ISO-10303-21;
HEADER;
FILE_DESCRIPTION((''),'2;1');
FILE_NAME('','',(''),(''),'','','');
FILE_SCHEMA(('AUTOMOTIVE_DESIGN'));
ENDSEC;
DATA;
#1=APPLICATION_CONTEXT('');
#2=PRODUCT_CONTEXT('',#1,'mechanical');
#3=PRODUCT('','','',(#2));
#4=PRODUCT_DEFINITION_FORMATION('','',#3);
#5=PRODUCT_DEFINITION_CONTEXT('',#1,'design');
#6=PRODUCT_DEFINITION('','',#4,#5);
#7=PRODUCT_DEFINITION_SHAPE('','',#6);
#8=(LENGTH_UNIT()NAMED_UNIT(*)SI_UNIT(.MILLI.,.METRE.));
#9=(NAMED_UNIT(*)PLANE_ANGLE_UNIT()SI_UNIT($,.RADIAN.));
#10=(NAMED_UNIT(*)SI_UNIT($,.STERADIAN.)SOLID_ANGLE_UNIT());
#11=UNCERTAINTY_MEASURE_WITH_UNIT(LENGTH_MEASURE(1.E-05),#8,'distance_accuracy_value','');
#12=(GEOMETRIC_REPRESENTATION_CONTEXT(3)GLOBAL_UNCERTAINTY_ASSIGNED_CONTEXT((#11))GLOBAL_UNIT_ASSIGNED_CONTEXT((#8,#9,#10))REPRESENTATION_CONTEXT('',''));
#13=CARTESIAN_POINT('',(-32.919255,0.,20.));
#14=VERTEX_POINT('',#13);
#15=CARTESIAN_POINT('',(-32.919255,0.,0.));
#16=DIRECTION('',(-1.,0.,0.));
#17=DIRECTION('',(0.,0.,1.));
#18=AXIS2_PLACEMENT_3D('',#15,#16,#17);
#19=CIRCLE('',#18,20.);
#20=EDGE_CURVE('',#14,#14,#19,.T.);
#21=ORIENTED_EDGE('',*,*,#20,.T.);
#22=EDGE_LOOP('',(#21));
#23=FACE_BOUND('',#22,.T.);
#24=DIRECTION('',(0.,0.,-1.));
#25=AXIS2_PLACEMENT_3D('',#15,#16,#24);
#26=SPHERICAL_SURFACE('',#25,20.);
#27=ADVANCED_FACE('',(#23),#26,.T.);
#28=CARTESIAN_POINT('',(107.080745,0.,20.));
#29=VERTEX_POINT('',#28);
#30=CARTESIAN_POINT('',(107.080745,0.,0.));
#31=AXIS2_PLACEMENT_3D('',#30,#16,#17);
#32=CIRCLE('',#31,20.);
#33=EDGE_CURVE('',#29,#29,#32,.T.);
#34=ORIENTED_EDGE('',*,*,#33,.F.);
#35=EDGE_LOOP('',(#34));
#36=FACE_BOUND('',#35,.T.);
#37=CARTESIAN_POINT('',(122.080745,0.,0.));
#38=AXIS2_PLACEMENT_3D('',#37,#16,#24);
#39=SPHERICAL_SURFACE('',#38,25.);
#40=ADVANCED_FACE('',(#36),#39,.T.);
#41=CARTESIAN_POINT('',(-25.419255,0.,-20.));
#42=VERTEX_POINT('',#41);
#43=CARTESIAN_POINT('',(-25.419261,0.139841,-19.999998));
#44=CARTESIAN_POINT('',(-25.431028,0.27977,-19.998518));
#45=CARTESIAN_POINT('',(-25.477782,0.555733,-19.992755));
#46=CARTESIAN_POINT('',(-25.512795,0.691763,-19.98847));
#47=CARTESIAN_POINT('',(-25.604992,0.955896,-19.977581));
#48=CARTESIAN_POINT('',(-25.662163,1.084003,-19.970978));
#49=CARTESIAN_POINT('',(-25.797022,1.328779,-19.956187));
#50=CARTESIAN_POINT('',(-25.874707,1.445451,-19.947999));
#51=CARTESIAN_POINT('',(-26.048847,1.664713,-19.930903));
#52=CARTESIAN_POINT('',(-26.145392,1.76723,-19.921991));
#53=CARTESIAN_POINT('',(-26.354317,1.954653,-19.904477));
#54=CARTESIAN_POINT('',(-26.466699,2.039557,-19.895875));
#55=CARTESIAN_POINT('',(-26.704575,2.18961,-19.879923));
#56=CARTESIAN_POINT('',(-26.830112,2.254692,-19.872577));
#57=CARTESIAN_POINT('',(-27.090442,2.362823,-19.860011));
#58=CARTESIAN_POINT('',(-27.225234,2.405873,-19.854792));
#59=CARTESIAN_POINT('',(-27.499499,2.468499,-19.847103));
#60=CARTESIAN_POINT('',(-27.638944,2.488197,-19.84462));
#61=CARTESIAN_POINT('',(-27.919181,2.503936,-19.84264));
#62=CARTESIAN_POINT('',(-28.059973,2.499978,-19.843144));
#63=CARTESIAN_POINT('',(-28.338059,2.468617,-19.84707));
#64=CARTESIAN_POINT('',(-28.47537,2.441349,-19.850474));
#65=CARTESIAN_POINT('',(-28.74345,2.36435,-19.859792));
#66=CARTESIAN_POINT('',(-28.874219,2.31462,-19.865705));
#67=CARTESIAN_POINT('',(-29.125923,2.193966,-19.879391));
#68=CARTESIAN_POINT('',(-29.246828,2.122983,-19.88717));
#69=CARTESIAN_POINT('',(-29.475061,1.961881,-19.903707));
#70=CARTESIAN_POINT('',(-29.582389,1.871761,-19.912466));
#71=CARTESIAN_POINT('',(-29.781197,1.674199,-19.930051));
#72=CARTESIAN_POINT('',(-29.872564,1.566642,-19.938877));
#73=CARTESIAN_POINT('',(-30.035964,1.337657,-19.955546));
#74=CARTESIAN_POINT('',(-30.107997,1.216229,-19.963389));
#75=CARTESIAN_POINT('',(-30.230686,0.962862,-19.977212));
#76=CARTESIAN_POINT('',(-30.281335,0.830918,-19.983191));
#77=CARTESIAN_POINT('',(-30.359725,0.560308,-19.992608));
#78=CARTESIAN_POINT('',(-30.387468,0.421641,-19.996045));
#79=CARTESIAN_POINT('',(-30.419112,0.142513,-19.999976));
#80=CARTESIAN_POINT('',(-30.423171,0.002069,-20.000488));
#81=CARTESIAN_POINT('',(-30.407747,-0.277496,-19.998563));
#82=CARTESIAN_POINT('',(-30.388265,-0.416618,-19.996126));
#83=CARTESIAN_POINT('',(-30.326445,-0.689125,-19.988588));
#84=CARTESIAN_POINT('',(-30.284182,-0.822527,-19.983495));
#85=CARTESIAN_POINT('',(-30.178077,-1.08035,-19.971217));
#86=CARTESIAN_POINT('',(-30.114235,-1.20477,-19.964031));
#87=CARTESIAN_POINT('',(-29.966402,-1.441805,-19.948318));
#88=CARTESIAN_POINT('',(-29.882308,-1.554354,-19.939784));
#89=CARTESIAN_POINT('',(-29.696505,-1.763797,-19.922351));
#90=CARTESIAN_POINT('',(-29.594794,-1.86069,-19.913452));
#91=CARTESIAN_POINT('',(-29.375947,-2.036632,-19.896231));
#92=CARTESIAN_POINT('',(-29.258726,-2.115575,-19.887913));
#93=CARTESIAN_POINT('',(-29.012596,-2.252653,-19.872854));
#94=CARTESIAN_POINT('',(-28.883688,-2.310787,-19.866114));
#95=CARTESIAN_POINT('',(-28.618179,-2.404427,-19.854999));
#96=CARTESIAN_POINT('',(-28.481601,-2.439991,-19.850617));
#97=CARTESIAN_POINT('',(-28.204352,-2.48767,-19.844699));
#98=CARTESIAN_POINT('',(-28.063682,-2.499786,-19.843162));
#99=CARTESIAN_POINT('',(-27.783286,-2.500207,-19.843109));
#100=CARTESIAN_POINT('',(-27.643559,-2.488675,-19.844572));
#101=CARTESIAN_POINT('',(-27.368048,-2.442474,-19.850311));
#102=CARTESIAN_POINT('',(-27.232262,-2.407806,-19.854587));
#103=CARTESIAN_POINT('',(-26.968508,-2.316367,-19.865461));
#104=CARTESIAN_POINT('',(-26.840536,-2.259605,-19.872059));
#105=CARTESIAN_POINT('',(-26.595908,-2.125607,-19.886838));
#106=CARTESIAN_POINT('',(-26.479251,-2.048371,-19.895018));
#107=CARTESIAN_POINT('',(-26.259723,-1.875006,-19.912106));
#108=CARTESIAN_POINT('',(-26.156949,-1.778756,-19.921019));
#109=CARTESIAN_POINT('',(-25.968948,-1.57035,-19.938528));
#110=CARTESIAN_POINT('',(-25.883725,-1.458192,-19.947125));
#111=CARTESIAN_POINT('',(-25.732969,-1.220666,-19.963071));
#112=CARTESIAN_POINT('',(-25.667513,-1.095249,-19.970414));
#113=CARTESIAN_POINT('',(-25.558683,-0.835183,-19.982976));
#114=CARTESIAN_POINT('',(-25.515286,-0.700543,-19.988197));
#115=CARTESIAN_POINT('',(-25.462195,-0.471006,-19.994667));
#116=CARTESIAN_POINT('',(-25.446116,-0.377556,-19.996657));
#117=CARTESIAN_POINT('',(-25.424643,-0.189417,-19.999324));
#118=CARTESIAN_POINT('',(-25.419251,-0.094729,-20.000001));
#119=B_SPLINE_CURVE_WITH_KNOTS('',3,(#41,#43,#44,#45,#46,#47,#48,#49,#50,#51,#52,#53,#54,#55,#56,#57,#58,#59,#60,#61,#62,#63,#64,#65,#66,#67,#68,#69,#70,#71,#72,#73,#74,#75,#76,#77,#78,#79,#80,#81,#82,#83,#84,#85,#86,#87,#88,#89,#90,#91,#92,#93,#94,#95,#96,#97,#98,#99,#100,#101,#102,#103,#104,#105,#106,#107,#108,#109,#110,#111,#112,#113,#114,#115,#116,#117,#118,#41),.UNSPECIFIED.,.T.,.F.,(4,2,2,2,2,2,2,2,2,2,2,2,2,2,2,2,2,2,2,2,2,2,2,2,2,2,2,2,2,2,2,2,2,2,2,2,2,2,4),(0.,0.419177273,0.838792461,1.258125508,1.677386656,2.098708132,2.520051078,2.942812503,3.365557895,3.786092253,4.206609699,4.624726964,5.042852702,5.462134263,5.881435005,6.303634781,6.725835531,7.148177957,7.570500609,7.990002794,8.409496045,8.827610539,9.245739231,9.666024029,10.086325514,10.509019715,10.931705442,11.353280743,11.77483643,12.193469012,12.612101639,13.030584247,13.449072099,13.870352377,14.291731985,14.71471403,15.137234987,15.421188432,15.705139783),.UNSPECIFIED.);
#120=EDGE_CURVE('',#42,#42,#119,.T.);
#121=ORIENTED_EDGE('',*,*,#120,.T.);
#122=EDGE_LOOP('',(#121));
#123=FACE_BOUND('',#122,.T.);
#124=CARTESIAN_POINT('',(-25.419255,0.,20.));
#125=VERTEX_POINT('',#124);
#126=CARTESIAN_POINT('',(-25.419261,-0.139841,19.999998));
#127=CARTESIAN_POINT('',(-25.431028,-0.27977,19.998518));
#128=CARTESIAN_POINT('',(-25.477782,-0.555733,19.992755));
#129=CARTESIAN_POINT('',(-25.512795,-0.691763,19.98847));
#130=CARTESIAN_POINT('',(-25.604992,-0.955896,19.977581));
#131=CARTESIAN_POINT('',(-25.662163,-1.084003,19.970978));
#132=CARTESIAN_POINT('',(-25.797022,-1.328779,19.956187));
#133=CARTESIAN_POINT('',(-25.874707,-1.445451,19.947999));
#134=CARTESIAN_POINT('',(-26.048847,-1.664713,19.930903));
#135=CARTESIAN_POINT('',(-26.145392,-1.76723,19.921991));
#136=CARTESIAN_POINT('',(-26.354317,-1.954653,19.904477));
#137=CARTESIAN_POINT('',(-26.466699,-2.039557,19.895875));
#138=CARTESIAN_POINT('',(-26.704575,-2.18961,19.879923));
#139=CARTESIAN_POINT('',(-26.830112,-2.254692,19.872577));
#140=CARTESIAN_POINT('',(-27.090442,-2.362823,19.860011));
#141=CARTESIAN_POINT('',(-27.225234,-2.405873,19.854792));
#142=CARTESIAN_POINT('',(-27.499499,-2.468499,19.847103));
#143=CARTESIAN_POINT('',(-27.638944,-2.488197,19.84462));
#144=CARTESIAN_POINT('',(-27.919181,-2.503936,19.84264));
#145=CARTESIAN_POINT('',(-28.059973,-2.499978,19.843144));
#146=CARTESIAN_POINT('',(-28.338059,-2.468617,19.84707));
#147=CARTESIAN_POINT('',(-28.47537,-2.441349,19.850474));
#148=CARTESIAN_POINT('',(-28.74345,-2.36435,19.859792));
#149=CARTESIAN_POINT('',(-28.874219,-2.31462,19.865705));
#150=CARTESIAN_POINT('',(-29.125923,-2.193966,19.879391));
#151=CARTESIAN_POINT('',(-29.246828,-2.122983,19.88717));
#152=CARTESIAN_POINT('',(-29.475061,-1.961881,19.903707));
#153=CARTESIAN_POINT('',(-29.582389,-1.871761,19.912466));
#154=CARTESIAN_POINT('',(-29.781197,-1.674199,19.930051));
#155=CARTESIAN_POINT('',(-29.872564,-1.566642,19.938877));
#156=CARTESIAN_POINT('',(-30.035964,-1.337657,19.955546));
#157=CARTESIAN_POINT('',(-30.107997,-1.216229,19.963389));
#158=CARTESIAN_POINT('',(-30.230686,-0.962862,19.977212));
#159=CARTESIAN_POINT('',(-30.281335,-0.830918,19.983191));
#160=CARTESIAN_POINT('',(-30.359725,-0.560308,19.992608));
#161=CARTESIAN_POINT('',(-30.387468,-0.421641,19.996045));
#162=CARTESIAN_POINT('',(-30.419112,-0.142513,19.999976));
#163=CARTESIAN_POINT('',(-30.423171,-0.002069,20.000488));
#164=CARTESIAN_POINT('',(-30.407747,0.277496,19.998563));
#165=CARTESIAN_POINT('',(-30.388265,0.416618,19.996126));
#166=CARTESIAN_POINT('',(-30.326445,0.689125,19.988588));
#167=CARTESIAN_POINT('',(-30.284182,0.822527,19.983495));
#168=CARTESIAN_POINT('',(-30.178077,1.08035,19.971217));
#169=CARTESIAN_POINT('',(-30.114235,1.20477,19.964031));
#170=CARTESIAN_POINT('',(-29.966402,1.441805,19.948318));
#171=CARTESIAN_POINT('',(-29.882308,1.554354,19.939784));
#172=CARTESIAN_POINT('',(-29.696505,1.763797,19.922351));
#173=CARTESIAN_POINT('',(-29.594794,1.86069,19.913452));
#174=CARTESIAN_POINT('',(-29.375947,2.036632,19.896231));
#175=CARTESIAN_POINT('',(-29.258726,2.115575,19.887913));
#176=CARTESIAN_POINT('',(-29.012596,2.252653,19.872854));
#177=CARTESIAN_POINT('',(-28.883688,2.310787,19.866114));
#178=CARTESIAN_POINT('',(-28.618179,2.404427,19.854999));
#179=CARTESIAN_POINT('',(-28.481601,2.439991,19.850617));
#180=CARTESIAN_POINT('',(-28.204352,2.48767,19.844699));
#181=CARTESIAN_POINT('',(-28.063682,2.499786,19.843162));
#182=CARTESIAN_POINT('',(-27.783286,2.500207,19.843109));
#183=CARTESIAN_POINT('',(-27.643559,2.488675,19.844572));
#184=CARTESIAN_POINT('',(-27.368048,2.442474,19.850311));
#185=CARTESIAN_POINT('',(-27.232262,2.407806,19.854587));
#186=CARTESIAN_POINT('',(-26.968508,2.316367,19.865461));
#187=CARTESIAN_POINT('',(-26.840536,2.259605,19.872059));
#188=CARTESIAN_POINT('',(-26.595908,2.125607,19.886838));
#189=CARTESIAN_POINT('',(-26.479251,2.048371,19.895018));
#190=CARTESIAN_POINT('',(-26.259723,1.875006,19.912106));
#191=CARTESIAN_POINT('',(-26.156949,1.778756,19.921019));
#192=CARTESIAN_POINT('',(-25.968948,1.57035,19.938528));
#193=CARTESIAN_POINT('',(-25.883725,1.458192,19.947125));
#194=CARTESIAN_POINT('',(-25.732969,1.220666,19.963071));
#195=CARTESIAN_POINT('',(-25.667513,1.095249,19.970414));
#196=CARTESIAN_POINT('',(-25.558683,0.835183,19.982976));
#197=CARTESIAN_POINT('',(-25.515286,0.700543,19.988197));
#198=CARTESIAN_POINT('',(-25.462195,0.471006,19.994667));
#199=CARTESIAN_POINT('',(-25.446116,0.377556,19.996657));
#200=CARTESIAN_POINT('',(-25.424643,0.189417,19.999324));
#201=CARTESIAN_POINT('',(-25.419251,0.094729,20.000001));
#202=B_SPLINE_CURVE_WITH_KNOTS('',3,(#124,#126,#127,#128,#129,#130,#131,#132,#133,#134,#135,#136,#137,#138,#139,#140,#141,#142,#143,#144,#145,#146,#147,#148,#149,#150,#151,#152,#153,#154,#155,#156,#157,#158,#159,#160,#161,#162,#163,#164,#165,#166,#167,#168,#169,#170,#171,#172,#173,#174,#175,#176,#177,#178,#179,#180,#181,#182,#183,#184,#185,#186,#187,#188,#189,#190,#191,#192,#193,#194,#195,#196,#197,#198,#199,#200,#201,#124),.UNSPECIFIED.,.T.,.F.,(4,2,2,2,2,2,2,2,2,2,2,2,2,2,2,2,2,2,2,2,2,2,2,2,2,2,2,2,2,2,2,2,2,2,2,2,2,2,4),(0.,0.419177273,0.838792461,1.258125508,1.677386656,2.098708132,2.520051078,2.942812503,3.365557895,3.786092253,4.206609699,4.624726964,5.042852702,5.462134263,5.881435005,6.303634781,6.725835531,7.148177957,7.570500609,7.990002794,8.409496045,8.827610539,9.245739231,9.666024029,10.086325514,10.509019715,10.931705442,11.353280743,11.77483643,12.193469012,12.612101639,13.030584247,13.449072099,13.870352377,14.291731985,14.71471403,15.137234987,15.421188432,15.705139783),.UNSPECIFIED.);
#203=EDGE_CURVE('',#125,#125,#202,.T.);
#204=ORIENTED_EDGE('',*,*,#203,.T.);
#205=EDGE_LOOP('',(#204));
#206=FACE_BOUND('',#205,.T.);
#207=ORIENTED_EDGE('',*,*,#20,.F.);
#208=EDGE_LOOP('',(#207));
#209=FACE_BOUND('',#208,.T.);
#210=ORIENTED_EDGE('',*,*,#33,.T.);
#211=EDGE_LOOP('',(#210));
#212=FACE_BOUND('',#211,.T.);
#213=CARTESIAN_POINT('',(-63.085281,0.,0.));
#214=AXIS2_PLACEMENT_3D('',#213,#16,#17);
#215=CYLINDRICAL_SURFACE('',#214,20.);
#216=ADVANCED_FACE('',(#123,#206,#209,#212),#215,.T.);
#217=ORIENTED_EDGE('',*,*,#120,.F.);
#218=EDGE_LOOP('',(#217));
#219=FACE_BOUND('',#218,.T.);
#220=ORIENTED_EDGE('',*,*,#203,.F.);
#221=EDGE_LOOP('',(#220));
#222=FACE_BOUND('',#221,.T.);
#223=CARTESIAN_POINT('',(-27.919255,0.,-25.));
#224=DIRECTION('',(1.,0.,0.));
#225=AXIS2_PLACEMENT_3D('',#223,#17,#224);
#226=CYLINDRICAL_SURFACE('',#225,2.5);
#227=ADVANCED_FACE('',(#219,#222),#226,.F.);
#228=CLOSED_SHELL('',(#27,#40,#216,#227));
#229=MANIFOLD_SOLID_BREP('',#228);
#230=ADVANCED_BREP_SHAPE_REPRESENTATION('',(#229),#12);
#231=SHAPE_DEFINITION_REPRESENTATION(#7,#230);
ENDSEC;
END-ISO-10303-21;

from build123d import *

# Parameters (mm, degrees)
CROQUIS6_R                 = 2.5
CORTAR_EXTRUIR1_DEPTH      = 26
CORTAR_EXTRUIR1_DEPTH_BACK = 26


with BuildPart() as part:
    # Croquis3 → Revolución10 (revolve)
    with BuildSketch(Plane(origin=(0, 0, 0), x_dir=(1, 0, 0), z_dir=(0, 1, 0))):
        with BuildLine():
            Line((-32.919254658, 20), (107.080745342, 20))
            ThreePointArc((107.080745342, 20), (133.261085229, 22.360679775), (147.080745342, 0))
            Line((147.080745342, 0), (-52.919254658, 0))
            ThreePointArc((-52.919254658, 0), (-47.061390282, 14.142135624), (-32.919254658, 20))
        make_face()
    revolve(axis=Axis((-63.085280919, 0, 0), (1, 0, 0)))

    # Croquis6 → Cortar-Extruir1 (cut, two sides)
    with BuildSketch(Plane.XY) as cortar_extruir1_sk:
        with Locations((-27.919254658, 0)):
            Circle(CROQUIS6_R)
    extrude(amount=CORTAR_EXTRUIR1_DEPTH, mode=Mode.SUBTRACT)
    extrude(cortar_extruir1_sk.sketch, amount=-CORTAR_EXTRUIR1_DEPTH_BACK, mode=Mode.SUBTRACT)


solid = part.part
